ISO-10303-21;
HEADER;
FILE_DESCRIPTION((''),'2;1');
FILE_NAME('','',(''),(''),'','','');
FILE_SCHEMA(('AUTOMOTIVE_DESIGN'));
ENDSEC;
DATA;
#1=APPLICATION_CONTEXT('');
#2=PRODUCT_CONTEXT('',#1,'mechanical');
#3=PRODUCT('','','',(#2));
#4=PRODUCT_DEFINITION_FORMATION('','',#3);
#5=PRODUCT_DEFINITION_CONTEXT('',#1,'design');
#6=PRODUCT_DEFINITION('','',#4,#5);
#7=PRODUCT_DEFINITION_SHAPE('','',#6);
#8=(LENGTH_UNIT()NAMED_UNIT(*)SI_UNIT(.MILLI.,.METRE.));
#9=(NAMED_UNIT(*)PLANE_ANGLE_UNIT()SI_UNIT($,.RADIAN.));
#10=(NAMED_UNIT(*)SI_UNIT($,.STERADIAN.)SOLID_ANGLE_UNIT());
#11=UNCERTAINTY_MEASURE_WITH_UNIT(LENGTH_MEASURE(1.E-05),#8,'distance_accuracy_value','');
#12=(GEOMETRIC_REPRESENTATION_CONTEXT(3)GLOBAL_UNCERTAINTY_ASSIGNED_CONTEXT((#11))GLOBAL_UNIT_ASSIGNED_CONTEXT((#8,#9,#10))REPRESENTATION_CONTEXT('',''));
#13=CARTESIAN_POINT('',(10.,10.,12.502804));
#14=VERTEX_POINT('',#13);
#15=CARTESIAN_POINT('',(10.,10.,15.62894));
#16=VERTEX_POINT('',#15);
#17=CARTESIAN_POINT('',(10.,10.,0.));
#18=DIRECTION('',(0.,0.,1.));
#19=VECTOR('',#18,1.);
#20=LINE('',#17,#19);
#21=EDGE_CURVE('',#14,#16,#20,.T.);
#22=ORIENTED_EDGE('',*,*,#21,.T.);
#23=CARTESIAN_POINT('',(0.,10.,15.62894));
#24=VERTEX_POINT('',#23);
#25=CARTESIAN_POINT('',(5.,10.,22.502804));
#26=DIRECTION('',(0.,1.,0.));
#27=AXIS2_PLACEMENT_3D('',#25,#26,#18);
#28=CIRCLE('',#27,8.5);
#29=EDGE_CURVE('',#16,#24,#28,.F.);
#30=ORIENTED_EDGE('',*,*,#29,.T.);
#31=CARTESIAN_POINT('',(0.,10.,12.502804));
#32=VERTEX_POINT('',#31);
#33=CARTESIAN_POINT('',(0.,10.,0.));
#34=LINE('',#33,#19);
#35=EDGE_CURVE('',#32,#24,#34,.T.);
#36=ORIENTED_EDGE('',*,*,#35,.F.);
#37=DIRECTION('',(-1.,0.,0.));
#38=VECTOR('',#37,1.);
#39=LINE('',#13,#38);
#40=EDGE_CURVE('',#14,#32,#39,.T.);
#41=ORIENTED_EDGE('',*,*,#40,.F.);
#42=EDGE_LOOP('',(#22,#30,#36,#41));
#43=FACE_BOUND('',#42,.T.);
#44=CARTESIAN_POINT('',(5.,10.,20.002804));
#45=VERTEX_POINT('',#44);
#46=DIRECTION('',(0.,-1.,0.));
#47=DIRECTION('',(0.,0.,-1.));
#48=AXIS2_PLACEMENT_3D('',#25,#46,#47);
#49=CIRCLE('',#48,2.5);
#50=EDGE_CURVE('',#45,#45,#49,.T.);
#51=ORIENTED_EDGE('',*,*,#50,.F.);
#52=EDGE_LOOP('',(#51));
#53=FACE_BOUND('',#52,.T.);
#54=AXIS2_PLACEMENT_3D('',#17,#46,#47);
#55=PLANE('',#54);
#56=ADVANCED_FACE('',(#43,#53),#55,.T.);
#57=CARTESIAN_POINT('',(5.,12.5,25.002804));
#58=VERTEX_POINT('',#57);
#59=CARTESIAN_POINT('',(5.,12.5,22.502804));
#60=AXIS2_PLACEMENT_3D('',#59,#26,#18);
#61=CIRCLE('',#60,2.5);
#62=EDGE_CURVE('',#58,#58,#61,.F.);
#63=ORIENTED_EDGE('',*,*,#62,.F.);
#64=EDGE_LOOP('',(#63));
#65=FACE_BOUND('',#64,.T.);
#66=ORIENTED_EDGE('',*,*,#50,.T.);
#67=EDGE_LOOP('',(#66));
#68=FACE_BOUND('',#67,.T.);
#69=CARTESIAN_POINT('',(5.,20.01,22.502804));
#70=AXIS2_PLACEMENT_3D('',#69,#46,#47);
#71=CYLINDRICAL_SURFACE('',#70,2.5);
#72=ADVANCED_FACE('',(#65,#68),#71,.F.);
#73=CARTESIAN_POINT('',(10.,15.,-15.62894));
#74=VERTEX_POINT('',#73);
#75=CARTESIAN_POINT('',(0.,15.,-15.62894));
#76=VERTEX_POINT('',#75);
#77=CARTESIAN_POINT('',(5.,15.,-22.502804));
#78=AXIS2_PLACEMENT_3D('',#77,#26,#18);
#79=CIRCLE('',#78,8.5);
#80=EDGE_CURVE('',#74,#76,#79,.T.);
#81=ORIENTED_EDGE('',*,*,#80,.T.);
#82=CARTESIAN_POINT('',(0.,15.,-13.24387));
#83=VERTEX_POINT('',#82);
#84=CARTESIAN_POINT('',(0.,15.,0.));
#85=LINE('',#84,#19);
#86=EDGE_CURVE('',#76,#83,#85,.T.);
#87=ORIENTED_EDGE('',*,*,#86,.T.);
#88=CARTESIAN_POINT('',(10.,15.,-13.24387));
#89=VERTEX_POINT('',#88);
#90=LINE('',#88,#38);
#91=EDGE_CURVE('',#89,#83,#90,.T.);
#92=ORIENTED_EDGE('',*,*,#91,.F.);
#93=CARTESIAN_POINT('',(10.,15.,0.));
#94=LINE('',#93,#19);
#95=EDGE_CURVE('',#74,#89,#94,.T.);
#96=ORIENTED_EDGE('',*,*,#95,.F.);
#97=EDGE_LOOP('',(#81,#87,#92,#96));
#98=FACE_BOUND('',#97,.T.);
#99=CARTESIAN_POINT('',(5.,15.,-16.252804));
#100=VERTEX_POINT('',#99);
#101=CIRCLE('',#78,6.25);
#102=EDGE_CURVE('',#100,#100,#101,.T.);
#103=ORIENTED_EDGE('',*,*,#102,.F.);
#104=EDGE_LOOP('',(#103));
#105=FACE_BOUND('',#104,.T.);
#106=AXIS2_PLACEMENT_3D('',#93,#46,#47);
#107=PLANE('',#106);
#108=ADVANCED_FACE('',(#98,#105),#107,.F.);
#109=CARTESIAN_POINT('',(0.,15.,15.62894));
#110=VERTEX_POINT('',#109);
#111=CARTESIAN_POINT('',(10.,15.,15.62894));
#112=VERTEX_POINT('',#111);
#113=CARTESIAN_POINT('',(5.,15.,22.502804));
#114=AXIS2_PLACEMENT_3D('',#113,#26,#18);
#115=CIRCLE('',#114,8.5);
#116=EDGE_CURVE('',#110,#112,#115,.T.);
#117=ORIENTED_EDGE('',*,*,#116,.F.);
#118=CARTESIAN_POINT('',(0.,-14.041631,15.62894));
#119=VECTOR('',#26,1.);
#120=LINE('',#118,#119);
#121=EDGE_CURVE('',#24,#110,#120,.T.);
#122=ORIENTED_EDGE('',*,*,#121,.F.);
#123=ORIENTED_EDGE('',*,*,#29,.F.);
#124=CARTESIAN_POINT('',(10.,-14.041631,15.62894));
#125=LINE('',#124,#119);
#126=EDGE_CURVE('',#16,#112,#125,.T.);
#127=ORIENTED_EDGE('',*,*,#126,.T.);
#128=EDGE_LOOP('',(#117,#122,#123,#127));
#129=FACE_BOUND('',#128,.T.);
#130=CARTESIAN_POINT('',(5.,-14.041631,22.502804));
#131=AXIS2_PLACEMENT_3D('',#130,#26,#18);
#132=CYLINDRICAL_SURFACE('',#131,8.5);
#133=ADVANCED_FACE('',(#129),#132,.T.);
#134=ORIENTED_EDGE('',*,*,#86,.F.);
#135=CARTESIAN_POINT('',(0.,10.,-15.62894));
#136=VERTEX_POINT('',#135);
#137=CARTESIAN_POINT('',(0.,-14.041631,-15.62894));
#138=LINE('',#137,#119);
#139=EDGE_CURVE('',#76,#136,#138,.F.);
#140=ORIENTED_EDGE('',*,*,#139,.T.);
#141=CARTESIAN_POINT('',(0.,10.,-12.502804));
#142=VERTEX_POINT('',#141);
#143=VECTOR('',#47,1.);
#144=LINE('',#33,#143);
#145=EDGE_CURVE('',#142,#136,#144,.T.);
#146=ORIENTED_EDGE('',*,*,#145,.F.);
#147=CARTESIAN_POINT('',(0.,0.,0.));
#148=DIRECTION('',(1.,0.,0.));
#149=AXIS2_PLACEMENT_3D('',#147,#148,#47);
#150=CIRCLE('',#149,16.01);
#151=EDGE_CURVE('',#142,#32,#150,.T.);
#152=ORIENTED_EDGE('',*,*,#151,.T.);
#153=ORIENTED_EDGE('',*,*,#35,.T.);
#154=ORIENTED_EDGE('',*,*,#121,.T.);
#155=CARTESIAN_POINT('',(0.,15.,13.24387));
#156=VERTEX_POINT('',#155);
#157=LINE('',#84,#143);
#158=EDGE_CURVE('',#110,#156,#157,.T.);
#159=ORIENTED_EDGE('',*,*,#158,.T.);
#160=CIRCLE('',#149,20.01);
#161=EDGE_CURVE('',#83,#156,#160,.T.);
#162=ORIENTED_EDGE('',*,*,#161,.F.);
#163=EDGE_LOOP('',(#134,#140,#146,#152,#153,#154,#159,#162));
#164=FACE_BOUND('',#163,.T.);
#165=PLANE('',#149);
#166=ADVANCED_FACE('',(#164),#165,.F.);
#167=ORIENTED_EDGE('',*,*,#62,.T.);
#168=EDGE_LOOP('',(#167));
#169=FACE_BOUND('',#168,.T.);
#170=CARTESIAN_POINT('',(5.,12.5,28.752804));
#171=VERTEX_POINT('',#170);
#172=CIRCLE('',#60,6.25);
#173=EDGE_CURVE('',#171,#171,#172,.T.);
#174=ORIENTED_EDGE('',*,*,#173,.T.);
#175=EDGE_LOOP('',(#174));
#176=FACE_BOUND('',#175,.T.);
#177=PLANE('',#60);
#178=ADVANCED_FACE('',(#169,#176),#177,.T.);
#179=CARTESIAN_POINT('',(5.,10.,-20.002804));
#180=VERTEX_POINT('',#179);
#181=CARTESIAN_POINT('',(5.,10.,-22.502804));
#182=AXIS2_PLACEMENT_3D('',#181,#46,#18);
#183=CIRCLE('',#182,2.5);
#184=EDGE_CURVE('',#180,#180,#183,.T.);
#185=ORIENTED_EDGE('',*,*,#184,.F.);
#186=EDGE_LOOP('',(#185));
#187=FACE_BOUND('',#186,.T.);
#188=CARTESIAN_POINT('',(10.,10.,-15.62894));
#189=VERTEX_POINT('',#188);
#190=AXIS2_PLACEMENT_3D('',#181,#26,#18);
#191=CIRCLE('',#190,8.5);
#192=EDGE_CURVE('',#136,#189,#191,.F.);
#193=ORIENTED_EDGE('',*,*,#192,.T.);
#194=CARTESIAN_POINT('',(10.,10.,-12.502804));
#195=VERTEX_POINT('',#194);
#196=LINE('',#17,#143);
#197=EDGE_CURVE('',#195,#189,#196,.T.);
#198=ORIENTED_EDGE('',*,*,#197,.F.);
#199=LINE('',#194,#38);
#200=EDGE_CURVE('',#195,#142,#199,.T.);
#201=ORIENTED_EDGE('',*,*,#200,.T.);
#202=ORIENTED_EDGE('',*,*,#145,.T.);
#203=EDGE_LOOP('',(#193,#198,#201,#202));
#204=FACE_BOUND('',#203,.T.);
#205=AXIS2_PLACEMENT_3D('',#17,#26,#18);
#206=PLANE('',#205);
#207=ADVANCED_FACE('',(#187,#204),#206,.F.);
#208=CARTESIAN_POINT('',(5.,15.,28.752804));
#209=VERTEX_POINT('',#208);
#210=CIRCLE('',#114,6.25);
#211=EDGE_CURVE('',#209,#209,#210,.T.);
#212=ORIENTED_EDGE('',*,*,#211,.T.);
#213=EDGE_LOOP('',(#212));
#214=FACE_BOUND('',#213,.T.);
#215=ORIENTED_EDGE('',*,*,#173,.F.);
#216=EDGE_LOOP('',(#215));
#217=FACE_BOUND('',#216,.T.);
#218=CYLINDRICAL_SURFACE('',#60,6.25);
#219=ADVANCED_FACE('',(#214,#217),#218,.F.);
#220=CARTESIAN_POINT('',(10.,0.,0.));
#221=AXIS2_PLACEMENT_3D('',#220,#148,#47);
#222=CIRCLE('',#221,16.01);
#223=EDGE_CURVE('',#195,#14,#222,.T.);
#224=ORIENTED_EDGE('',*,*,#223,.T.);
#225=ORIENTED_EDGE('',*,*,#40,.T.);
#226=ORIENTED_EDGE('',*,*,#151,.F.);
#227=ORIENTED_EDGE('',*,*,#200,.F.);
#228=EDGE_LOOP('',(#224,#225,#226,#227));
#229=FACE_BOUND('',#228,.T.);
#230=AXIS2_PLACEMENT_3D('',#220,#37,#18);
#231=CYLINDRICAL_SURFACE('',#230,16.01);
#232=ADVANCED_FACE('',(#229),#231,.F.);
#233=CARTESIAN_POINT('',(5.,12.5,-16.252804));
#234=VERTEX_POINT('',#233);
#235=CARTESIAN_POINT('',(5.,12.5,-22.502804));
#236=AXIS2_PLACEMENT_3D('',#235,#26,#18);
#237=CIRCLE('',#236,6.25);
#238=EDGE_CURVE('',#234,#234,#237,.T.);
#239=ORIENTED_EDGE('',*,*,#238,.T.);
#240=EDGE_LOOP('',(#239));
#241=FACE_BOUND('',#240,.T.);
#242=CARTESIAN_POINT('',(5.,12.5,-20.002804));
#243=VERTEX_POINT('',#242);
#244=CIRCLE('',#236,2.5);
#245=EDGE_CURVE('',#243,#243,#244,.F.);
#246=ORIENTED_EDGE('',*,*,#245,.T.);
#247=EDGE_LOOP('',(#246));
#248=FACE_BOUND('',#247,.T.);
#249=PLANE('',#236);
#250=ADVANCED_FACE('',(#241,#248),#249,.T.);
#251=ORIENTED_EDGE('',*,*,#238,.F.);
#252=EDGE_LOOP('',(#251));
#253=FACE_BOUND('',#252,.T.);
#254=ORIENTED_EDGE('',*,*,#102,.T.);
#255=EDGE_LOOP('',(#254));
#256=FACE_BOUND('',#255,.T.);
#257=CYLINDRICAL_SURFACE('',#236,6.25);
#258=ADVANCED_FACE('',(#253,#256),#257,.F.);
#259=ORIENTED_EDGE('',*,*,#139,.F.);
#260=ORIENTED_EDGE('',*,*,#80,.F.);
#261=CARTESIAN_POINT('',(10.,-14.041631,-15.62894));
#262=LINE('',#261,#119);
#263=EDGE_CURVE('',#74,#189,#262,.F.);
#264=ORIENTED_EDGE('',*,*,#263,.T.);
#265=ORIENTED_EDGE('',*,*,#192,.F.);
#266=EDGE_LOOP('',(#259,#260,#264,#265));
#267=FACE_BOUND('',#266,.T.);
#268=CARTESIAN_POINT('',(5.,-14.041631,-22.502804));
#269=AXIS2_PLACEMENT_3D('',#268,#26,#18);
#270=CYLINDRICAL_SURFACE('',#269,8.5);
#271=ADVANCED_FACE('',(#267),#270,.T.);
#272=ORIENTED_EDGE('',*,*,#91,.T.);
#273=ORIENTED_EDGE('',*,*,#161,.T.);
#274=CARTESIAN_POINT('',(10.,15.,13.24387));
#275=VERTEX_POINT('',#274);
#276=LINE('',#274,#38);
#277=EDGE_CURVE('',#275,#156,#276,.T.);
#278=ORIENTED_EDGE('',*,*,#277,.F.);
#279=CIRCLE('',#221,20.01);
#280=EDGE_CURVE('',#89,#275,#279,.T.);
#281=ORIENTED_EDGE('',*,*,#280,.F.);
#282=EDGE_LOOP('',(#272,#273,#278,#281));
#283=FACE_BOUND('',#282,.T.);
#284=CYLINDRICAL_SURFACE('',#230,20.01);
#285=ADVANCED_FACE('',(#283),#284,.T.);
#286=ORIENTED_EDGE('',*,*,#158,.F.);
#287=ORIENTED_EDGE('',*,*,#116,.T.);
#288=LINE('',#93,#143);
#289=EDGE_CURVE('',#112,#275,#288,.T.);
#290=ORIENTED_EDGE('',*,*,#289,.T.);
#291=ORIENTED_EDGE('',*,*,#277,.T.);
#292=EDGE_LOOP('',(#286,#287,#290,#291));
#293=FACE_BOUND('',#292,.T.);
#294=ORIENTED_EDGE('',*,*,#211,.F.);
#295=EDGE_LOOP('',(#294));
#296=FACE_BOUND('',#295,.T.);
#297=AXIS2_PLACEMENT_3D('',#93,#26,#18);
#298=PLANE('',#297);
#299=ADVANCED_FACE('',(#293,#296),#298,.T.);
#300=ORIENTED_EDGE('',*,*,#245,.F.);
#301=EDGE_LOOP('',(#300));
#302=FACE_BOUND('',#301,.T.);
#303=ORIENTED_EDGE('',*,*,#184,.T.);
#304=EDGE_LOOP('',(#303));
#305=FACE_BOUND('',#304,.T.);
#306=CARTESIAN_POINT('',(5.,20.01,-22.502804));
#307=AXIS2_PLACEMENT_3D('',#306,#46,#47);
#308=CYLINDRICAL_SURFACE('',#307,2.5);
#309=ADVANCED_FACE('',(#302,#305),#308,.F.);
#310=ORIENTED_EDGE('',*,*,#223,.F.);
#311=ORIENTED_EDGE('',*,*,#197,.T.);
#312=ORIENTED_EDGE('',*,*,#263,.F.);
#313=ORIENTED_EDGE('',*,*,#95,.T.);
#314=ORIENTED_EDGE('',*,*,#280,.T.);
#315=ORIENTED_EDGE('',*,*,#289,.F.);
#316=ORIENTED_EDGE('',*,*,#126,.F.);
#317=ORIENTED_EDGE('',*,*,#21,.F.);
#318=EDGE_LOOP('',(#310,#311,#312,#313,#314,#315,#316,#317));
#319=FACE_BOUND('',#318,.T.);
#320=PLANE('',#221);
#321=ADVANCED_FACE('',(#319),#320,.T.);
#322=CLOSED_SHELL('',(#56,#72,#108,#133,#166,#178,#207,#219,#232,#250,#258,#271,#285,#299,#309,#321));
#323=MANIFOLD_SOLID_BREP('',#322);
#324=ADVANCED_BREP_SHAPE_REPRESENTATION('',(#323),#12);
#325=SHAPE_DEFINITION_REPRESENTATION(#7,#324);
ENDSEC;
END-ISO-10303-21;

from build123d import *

# Parameters (mm, degrees)
BASE_DEPTH           = 10
ESQUISSE5_R          = 2.5
VIDE_ACCES_VIS_DEPTH = 31.929020524
BOSS_START           = -5
ESQUISSE6_R          = 8.5
ESQUISSE6_R_2        = 2.587391516
ESQUISSE6_R_3        = 2.5
BOSS_VIS_DEPTH       = 5
ESQUISSE7_R          = 6.25
VIDE_ECROU_DEPTH     = 2.5


with BuildPart() as part:
    # Esquisse2 → BASE (new body)
    with BuildSketch(Plane(origin=(0, 0, 0), x_dir=(0, 0, -1), z_dir=(1, 0, 0))):
        with BuildLine():
            Line((-27.502803686, 10), (-14.361406616, 10))
            Line((-14.361406616, 10), (-12.502803686, 10))
            ThreePointArc((-12.502803686, 10), (0, 16.01), (12.502803686, 10))
            Line((12.502803686, 10), (14.361406616, 10))
            Line((14.361406616, 10), (22.502803686, 10))
            Line((22.502803686, 10), (27.502803686, 10))
            Line((27.502803686, 10), (27.502803686, 15))
            Line((27.502803686, 15), (13.24387028, 15))
            ThreePointArc((13.24387028, 15), (0, 20.01), (-13.24387028, 15))
            Line((-13.24387028, 15), (-27.502803686, 15))
            Line((-27.502803686, 15), (-27.502803686, 10))
        make_face()
    extrude(amount=BASE_DEPTH)

    # Esquisse5 → VIDE ACCES VIS (cut, through all)
    with BuildSketch(Plane.XZ.offset(-10)):
        with Locations(Location((5, 22.502803686, 0), (0, 0, 270))):
            Circle(ESQUISSE5_R)
        with Locations(Location((5, -22.502803686, 0), (0, 0, 270))):
            Circle(ESQUISSE5_R)
    extrude(amount=-VIDE_ACCES_VIS_DEPTH, mode=Mode.SUBTRACT)

    # Esquisse6 → BOSS VIS (add)
    # profile 1 of 2: a face of its own
    with BuildSketch(Plane(origin=(0, 15, 0), x_dir=(1, 0, 0), z_dir=(0, 1, 0)).offset(BOSS_START)):
        with Locations((5, 22.502803686)):
            Circle(ESQUISSE6_R)
        with Locations((5, 22.502803686)):
            Circle(ESQUISSE6_R_2, mode=Mode.SUBTRACT)
    # profile 2 of 2: a face of its own
    with BuildSketch(Plane(origin=(0, 15, 0), x_dir=(1, 0, 0), z_dir=(0, 1, 0)).offset(BOSS_START)):
        with Locations((5, -22.502803686)):
            Circle(ESQUISSE6_R)
        with Locations(Location((5, -22.502803686, 0), (0, 0, 90))):
            Circle(ESQUISSE6_R_3, mode=Mode.SUBTRACT)
    extrude(amount=BOSS_VIS_DEPTH)

    # Esquisse7 → VIDE ECROU (cut)
    with BuildSketch(Plane(origin=(0, 15, 0), x_dir=(1, 0, 0), z_dir=(0, 1, 0))):
        with Locations(Location((5, 22.502803686, 0), (0, 0, 270))):
            Circle(ESQUISSE7_R)
        with Locations(Location((5, -22.502803686, 0), (0, 0, 270))):
            Circle(ESQUISSE7_R)
    extrude(amount=-VIDE_ECROU_DEPTH, mode=Mode.SUBTRACT)


solid = part.part
